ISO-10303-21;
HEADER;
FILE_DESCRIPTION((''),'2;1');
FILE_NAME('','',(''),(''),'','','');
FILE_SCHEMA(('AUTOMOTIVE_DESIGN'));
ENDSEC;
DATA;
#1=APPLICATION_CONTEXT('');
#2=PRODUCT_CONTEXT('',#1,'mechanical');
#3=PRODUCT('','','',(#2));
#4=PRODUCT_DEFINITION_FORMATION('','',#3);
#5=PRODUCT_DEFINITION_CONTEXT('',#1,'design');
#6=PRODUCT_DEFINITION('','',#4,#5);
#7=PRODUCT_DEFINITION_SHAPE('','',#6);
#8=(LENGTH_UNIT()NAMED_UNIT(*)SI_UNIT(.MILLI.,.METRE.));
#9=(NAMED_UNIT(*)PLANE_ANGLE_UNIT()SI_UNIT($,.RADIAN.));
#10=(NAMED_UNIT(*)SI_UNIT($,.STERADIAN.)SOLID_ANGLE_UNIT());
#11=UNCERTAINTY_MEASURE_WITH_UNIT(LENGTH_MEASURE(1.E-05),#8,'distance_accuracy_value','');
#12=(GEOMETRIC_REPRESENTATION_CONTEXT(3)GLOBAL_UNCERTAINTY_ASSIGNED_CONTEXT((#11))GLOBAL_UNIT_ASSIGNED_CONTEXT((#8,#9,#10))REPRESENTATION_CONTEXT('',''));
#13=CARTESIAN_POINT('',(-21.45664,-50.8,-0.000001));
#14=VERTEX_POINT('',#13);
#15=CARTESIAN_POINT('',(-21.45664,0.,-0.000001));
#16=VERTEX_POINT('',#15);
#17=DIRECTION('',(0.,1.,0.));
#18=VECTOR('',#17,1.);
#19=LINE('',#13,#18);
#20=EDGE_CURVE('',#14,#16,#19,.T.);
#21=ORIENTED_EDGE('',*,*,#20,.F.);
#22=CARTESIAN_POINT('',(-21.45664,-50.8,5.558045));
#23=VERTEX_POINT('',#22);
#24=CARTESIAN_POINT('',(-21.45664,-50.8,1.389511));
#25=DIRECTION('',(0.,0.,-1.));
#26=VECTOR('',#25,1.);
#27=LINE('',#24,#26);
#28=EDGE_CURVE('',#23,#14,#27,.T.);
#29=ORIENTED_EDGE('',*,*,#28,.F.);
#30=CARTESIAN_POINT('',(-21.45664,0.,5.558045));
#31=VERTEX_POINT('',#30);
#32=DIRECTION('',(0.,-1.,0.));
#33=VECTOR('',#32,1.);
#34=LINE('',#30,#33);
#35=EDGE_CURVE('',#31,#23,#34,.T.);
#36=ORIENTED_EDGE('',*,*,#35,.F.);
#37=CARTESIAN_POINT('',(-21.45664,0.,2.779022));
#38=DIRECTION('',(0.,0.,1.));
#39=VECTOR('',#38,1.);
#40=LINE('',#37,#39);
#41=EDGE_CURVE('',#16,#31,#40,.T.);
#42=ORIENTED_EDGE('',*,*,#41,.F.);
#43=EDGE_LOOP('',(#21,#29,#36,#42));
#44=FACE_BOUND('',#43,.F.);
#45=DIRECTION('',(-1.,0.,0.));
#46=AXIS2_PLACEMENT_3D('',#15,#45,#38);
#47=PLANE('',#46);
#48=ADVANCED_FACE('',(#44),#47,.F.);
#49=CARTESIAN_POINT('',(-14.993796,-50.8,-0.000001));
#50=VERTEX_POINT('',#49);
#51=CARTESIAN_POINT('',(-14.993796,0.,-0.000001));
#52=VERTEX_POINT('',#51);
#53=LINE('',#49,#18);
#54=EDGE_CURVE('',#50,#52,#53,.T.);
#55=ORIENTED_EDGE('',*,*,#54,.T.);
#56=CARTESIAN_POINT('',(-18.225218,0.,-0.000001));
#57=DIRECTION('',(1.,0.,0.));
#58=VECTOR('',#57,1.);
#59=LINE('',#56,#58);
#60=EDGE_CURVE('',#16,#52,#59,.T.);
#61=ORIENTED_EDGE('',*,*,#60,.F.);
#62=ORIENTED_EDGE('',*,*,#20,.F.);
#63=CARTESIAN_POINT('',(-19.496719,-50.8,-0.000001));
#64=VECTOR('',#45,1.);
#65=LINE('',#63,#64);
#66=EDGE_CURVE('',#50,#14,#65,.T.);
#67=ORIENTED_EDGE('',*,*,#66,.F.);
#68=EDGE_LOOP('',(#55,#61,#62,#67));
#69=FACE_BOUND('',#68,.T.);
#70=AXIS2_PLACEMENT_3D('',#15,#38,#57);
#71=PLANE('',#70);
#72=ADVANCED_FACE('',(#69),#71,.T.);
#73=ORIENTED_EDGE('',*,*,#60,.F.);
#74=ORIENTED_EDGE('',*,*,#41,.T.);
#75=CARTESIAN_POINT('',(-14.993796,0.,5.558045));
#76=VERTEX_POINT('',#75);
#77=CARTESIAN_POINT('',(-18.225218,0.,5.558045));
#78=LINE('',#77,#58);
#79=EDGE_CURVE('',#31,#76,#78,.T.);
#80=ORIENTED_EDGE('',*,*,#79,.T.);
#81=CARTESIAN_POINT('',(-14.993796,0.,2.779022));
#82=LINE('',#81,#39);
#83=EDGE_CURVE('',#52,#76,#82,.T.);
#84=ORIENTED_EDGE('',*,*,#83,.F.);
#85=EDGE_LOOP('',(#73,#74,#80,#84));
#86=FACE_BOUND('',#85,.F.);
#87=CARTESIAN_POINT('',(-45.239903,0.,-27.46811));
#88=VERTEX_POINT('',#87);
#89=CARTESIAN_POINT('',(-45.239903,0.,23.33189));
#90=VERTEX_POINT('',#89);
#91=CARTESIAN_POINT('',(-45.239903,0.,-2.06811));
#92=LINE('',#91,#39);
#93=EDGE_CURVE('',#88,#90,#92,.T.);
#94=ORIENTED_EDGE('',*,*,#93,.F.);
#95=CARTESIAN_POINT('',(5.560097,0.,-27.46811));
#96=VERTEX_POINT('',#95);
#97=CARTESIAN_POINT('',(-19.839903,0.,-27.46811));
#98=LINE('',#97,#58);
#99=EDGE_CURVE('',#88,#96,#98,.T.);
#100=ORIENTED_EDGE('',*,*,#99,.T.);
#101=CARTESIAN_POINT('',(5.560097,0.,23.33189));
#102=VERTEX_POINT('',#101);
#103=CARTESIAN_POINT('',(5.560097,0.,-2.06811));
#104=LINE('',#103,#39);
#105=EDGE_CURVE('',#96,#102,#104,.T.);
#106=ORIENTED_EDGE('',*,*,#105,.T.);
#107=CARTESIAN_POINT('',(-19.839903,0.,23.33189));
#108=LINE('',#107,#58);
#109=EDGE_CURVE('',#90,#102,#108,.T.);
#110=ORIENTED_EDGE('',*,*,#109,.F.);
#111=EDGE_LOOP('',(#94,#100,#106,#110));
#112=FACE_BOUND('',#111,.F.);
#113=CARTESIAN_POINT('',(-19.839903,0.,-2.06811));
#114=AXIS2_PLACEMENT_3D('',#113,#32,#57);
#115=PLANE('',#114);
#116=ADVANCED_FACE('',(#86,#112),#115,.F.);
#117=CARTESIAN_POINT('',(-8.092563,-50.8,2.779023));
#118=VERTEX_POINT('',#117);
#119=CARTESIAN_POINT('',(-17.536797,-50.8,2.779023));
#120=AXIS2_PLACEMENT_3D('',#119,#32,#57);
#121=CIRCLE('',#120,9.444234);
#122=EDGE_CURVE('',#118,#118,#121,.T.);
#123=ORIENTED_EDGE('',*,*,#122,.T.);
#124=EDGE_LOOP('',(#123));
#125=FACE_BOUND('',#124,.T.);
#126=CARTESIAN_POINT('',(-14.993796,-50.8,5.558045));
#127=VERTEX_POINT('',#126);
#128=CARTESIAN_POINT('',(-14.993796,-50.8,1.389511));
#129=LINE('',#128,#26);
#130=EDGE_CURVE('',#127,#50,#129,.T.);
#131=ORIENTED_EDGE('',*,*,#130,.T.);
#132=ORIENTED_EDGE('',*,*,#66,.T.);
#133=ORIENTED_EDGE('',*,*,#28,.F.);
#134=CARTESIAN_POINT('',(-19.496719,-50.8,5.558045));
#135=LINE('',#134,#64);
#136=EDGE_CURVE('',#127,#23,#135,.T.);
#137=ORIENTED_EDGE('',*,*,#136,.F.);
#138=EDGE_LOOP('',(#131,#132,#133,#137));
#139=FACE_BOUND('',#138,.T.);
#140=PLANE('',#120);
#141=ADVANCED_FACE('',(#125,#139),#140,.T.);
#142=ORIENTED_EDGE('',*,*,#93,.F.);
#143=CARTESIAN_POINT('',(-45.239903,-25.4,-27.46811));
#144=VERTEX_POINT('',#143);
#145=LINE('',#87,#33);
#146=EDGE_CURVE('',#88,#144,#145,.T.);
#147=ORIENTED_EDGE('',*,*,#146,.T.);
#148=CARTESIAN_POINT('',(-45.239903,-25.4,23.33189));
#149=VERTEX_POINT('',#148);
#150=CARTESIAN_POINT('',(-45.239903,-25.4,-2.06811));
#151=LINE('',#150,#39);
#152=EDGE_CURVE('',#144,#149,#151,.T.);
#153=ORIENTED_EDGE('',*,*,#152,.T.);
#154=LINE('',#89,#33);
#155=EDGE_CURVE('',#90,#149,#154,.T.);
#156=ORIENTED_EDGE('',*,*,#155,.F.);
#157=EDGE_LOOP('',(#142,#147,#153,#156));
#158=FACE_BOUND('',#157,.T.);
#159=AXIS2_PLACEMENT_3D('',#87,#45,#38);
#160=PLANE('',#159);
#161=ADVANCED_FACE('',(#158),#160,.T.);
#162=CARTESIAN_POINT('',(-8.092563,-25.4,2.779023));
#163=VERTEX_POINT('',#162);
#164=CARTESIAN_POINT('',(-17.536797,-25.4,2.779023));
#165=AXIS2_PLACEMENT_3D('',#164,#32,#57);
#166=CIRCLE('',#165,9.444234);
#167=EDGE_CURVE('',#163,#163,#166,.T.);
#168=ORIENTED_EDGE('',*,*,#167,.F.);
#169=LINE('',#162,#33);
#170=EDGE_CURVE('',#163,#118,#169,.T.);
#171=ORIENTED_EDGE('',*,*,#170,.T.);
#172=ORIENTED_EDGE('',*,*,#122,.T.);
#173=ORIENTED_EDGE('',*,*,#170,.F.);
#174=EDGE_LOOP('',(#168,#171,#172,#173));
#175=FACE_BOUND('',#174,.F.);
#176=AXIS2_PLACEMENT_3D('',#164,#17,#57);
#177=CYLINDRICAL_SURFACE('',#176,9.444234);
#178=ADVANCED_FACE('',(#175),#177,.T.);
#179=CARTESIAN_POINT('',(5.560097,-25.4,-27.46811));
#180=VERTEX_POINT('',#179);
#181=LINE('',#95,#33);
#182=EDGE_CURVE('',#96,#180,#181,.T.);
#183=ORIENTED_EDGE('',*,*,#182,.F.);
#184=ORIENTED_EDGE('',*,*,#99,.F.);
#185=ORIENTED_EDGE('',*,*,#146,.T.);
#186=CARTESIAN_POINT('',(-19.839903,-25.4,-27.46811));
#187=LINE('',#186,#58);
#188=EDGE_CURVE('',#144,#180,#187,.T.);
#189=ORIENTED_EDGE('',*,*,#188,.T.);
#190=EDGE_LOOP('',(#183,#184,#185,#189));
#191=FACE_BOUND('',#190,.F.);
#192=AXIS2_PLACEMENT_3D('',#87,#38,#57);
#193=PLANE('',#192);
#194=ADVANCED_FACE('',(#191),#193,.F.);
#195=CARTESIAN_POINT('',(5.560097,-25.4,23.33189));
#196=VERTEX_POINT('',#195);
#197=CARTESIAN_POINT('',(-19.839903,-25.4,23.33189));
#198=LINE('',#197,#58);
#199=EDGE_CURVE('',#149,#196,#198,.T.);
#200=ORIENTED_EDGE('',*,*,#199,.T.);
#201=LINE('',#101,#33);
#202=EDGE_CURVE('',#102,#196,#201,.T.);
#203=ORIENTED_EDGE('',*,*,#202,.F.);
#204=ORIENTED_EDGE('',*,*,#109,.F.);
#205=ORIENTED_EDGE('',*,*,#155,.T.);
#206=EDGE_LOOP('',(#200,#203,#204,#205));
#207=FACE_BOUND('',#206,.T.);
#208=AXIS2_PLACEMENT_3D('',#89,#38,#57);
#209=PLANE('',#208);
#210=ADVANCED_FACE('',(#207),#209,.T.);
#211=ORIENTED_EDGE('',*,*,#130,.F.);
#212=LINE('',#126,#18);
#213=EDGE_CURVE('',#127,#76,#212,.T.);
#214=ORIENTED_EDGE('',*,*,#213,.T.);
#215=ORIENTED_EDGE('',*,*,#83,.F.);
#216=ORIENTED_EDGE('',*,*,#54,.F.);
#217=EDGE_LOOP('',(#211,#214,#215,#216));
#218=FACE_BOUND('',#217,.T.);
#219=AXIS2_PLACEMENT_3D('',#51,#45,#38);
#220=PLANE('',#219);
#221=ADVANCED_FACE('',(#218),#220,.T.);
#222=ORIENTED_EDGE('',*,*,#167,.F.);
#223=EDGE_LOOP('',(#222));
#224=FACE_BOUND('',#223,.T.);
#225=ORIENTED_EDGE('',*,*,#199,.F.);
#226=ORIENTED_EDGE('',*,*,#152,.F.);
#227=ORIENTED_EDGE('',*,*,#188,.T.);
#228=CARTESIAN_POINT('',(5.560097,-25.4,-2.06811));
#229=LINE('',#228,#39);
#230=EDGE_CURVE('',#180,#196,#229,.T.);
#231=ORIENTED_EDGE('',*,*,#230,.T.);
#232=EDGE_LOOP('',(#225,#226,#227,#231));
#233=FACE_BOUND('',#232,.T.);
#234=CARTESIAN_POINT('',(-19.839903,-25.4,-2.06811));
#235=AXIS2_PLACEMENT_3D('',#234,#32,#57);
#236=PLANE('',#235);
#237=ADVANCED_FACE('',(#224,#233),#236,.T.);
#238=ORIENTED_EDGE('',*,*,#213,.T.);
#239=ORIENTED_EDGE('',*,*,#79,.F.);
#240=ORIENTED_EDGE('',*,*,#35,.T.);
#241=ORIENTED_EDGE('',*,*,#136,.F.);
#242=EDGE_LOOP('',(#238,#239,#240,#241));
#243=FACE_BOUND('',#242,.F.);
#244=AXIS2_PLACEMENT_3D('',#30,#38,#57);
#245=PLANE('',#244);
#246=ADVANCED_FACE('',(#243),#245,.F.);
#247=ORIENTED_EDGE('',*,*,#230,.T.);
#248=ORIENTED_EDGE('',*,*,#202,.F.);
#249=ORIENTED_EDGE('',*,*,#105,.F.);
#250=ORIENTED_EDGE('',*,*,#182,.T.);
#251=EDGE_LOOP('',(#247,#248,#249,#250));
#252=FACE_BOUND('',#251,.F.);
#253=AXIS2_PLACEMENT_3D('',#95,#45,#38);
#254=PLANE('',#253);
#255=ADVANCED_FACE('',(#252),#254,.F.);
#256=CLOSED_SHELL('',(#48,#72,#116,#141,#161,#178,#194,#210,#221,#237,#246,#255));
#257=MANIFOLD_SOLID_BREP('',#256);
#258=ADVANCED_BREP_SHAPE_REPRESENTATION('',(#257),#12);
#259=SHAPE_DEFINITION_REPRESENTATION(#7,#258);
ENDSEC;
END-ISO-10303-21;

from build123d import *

# Parameters (mm, degrees)
F0_W     = 50.8
F0_H     = 50.8
F0_W_2   = 6.462844
F0_H_2   = 5.558045
F1_DEPTH = 25.4
F2_R     = 9.444234
F3_DEPTH = 25.4
F4_DEPTH = 50.801


with BuildPart() as f1:
    # F0 (on Front) → F1 (new body)
    with BuildSketch(Plane.XZ):
        with Locations((-19.839903, -2.06811)):
            Rectangle(F0_W, F0_H)
        with Locations((-18.225218, 2.779022)):
            Rectangle(F0_W_2, F0_H_2, mode=Mode.SUBTRACT)
    extrude(amount=F1_DEPTH)

    # F2 (on face) → F3 (join)
    with BuildSketch(Plane.XZ.offset(25.4)):
        with Locations((-17.536797, 2.779023)):
            Circle(F2_R)
    extrude(amount=F3_DEPTH)

    # F0 (on Front) → F4 (cut, through all)
    with BuildSketch(Plane.XZ):
        with Locations((-18.225218, 2.779022)):
            Rectangle(F0_W_2, F0_H_2)
    extrude(amount=F4_DEPTH, mode=Mode.SUBTRACT)


solid = f1.part
